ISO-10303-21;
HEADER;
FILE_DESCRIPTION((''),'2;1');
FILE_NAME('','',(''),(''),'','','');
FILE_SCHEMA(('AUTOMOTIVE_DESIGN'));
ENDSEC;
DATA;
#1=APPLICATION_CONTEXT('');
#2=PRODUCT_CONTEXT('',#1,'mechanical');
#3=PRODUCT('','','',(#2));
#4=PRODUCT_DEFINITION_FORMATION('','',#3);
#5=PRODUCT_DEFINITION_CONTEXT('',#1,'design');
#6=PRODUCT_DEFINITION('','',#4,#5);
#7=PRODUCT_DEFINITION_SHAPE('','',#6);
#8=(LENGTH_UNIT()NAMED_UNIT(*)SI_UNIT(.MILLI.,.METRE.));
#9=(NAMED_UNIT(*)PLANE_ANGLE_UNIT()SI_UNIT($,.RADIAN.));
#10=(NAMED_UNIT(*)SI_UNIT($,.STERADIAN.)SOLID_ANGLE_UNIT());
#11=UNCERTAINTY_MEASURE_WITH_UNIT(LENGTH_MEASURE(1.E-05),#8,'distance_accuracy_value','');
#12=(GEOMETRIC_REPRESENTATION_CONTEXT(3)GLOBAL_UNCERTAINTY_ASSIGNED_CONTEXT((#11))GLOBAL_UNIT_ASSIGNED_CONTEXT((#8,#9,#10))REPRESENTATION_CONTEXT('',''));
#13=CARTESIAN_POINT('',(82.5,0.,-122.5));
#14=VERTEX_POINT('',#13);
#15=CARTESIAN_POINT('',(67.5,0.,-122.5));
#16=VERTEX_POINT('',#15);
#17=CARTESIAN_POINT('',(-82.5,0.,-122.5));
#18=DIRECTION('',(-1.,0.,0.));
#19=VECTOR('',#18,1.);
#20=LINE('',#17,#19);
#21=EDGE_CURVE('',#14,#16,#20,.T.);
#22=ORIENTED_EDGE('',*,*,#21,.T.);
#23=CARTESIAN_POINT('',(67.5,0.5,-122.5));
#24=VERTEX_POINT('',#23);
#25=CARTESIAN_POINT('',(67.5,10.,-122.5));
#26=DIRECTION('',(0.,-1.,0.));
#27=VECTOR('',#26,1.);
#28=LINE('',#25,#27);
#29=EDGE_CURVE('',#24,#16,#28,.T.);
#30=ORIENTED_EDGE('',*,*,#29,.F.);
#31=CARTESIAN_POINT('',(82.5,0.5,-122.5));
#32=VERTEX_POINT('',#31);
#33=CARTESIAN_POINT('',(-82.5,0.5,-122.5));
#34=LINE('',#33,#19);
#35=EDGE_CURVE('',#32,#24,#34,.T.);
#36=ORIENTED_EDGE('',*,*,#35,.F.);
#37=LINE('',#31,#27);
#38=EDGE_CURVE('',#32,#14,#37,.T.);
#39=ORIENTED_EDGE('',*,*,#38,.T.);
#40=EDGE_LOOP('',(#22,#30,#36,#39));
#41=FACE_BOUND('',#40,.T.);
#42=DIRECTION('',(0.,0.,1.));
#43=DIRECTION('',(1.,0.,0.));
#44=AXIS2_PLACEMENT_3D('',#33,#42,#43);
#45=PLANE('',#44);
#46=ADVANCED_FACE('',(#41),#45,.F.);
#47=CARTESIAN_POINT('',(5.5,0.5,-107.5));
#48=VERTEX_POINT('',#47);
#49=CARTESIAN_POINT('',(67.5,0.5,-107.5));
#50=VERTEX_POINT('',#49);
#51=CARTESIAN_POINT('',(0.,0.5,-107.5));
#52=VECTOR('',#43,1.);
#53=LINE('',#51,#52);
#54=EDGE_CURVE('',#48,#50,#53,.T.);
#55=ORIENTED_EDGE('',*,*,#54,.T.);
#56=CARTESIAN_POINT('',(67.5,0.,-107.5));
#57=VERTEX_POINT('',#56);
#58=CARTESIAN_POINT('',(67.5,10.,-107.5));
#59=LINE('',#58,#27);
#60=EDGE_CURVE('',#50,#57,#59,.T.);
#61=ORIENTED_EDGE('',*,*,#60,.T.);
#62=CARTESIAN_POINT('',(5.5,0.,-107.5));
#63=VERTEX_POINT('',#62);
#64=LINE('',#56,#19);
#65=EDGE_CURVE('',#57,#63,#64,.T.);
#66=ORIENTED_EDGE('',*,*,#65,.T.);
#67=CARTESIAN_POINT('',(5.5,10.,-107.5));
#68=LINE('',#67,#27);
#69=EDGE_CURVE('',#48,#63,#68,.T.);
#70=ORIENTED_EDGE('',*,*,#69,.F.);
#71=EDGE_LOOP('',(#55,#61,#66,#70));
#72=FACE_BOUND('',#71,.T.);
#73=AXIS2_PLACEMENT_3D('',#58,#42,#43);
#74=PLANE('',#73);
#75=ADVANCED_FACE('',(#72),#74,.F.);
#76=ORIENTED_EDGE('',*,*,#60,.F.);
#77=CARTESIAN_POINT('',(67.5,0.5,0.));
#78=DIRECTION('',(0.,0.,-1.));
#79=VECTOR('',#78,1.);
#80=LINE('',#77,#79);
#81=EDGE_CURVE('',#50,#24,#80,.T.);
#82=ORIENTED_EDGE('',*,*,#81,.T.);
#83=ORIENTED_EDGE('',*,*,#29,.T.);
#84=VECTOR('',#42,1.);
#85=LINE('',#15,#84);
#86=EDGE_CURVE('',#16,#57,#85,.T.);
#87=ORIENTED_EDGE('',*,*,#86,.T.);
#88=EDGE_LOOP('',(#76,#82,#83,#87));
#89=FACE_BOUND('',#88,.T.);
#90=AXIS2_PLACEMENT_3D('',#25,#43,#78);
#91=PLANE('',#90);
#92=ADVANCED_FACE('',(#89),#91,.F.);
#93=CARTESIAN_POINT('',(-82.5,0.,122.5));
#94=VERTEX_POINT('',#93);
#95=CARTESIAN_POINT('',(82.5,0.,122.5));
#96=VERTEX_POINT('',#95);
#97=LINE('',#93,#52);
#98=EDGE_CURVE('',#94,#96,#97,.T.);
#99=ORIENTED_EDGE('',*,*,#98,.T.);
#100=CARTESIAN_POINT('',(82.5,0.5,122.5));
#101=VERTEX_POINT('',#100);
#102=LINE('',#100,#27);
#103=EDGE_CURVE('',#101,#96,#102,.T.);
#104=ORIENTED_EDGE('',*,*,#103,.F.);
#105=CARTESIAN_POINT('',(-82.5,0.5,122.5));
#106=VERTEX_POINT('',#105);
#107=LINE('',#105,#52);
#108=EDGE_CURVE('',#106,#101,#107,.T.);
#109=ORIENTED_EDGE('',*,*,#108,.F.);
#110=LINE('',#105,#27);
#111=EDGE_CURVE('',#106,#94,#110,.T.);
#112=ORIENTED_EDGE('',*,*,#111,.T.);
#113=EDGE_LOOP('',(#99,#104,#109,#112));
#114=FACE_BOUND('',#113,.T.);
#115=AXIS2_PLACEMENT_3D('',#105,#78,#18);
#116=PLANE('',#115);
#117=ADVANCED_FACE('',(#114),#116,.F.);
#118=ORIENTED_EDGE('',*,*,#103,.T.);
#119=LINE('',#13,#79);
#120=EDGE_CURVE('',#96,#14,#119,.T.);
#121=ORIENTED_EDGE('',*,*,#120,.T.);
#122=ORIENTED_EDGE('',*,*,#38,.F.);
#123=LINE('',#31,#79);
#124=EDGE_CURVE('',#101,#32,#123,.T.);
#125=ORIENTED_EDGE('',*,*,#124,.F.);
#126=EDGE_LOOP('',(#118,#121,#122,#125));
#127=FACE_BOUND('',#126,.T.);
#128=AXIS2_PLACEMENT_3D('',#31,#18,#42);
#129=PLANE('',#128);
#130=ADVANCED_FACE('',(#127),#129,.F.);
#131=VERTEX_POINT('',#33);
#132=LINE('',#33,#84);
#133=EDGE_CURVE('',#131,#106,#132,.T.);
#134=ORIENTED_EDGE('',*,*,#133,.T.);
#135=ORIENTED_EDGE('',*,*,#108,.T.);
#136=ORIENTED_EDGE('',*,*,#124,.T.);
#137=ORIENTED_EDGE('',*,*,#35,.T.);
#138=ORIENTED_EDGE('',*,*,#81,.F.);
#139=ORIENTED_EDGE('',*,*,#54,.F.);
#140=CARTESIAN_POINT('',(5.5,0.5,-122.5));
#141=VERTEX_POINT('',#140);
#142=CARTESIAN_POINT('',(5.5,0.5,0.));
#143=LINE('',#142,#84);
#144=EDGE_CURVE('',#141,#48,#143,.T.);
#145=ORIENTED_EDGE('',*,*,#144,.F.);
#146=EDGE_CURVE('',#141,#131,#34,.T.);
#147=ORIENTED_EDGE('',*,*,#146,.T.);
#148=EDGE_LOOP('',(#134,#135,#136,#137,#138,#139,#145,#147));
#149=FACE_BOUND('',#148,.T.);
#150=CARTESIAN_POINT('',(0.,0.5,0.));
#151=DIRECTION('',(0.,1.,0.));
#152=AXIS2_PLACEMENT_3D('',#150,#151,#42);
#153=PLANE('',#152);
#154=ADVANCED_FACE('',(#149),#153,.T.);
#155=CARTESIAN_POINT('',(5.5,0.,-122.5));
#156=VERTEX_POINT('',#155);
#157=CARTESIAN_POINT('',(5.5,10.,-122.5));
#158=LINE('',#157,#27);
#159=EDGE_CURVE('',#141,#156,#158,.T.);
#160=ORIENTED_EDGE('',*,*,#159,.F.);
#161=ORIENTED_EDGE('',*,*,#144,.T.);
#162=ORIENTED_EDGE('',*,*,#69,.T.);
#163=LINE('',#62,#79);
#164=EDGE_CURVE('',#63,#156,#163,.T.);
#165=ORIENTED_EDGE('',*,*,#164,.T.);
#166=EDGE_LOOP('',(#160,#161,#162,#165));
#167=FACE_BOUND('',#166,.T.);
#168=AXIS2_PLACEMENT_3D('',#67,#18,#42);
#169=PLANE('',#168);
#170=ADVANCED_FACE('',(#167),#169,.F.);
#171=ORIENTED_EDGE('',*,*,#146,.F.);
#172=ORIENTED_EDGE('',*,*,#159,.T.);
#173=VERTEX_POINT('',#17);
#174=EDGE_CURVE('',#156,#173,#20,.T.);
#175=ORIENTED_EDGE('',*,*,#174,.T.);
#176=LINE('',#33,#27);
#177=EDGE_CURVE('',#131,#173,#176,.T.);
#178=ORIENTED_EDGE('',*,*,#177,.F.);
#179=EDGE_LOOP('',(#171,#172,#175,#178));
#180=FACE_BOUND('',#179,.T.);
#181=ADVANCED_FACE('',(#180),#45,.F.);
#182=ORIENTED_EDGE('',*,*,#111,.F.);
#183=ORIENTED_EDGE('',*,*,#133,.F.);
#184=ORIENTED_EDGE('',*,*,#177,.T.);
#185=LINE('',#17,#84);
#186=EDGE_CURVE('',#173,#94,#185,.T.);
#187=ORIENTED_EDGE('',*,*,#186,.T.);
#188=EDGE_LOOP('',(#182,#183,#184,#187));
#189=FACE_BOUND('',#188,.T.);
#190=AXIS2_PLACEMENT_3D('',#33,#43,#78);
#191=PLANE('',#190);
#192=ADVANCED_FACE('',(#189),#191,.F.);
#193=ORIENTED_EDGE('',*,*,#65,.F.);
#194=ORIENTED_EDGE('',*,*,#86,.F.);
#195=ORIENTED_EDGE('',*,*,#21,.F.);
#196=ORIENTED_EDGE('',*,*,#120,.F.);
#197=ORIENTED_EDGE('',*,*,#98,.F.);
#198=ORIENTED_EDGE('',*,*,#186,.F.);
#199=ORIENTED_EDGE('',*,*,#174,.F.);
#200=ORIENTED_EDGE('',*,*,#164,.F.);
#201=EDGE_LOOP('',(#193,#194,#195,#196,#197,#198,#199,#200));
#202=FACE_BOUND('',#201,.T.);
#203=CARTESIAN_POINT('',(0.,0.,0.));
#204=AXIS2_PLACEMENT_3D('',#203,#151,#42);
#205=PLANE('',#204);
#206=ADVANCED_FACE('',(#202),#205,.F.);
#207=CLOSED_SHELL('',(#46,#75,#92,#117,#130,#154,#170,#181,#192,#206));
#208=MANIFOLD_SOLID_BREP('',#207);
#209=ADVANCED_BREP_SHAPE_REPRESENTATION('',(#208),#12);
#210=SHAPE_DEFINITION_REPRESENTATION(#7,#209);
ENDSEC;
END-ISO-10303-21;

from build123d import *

# Parameters (mm, degrees)
SKETCH1_W           = 165
SKETCH1_H           = 245
BOSS_EXTRUDE1_DEPTH = 0.5
SKETCH2_W           = 62
SKETCH2_H           = 15
CUT_EXTRUDE1_DEPTH  = 10


with BuildPart() as part:
    # Sketch1 → Boss-Extrude1 (new body)
    with BuildSketch(Plane(origin=(0, 0, 0), x_dir=(1, 0, 0), z_dir=(0, 1, 0))):
        Rectangle(SKETCH1_W, SKETCH1_H)
    extrude(amount=BOSS_EXTRUDE1_DEPTH)

    # Sketch2 → Cut-Extrude1 (cut)
    with BuildSketch(Plane.XZ):
        with Locations((36.5, -115)):
            Rectangle(SKETCH2_W, SKETCH2_H)
    extrude(amount=-CUT_EXTRUDE1_DEPTH, mode=Mode.SUBTRACT)


solid = part.part
